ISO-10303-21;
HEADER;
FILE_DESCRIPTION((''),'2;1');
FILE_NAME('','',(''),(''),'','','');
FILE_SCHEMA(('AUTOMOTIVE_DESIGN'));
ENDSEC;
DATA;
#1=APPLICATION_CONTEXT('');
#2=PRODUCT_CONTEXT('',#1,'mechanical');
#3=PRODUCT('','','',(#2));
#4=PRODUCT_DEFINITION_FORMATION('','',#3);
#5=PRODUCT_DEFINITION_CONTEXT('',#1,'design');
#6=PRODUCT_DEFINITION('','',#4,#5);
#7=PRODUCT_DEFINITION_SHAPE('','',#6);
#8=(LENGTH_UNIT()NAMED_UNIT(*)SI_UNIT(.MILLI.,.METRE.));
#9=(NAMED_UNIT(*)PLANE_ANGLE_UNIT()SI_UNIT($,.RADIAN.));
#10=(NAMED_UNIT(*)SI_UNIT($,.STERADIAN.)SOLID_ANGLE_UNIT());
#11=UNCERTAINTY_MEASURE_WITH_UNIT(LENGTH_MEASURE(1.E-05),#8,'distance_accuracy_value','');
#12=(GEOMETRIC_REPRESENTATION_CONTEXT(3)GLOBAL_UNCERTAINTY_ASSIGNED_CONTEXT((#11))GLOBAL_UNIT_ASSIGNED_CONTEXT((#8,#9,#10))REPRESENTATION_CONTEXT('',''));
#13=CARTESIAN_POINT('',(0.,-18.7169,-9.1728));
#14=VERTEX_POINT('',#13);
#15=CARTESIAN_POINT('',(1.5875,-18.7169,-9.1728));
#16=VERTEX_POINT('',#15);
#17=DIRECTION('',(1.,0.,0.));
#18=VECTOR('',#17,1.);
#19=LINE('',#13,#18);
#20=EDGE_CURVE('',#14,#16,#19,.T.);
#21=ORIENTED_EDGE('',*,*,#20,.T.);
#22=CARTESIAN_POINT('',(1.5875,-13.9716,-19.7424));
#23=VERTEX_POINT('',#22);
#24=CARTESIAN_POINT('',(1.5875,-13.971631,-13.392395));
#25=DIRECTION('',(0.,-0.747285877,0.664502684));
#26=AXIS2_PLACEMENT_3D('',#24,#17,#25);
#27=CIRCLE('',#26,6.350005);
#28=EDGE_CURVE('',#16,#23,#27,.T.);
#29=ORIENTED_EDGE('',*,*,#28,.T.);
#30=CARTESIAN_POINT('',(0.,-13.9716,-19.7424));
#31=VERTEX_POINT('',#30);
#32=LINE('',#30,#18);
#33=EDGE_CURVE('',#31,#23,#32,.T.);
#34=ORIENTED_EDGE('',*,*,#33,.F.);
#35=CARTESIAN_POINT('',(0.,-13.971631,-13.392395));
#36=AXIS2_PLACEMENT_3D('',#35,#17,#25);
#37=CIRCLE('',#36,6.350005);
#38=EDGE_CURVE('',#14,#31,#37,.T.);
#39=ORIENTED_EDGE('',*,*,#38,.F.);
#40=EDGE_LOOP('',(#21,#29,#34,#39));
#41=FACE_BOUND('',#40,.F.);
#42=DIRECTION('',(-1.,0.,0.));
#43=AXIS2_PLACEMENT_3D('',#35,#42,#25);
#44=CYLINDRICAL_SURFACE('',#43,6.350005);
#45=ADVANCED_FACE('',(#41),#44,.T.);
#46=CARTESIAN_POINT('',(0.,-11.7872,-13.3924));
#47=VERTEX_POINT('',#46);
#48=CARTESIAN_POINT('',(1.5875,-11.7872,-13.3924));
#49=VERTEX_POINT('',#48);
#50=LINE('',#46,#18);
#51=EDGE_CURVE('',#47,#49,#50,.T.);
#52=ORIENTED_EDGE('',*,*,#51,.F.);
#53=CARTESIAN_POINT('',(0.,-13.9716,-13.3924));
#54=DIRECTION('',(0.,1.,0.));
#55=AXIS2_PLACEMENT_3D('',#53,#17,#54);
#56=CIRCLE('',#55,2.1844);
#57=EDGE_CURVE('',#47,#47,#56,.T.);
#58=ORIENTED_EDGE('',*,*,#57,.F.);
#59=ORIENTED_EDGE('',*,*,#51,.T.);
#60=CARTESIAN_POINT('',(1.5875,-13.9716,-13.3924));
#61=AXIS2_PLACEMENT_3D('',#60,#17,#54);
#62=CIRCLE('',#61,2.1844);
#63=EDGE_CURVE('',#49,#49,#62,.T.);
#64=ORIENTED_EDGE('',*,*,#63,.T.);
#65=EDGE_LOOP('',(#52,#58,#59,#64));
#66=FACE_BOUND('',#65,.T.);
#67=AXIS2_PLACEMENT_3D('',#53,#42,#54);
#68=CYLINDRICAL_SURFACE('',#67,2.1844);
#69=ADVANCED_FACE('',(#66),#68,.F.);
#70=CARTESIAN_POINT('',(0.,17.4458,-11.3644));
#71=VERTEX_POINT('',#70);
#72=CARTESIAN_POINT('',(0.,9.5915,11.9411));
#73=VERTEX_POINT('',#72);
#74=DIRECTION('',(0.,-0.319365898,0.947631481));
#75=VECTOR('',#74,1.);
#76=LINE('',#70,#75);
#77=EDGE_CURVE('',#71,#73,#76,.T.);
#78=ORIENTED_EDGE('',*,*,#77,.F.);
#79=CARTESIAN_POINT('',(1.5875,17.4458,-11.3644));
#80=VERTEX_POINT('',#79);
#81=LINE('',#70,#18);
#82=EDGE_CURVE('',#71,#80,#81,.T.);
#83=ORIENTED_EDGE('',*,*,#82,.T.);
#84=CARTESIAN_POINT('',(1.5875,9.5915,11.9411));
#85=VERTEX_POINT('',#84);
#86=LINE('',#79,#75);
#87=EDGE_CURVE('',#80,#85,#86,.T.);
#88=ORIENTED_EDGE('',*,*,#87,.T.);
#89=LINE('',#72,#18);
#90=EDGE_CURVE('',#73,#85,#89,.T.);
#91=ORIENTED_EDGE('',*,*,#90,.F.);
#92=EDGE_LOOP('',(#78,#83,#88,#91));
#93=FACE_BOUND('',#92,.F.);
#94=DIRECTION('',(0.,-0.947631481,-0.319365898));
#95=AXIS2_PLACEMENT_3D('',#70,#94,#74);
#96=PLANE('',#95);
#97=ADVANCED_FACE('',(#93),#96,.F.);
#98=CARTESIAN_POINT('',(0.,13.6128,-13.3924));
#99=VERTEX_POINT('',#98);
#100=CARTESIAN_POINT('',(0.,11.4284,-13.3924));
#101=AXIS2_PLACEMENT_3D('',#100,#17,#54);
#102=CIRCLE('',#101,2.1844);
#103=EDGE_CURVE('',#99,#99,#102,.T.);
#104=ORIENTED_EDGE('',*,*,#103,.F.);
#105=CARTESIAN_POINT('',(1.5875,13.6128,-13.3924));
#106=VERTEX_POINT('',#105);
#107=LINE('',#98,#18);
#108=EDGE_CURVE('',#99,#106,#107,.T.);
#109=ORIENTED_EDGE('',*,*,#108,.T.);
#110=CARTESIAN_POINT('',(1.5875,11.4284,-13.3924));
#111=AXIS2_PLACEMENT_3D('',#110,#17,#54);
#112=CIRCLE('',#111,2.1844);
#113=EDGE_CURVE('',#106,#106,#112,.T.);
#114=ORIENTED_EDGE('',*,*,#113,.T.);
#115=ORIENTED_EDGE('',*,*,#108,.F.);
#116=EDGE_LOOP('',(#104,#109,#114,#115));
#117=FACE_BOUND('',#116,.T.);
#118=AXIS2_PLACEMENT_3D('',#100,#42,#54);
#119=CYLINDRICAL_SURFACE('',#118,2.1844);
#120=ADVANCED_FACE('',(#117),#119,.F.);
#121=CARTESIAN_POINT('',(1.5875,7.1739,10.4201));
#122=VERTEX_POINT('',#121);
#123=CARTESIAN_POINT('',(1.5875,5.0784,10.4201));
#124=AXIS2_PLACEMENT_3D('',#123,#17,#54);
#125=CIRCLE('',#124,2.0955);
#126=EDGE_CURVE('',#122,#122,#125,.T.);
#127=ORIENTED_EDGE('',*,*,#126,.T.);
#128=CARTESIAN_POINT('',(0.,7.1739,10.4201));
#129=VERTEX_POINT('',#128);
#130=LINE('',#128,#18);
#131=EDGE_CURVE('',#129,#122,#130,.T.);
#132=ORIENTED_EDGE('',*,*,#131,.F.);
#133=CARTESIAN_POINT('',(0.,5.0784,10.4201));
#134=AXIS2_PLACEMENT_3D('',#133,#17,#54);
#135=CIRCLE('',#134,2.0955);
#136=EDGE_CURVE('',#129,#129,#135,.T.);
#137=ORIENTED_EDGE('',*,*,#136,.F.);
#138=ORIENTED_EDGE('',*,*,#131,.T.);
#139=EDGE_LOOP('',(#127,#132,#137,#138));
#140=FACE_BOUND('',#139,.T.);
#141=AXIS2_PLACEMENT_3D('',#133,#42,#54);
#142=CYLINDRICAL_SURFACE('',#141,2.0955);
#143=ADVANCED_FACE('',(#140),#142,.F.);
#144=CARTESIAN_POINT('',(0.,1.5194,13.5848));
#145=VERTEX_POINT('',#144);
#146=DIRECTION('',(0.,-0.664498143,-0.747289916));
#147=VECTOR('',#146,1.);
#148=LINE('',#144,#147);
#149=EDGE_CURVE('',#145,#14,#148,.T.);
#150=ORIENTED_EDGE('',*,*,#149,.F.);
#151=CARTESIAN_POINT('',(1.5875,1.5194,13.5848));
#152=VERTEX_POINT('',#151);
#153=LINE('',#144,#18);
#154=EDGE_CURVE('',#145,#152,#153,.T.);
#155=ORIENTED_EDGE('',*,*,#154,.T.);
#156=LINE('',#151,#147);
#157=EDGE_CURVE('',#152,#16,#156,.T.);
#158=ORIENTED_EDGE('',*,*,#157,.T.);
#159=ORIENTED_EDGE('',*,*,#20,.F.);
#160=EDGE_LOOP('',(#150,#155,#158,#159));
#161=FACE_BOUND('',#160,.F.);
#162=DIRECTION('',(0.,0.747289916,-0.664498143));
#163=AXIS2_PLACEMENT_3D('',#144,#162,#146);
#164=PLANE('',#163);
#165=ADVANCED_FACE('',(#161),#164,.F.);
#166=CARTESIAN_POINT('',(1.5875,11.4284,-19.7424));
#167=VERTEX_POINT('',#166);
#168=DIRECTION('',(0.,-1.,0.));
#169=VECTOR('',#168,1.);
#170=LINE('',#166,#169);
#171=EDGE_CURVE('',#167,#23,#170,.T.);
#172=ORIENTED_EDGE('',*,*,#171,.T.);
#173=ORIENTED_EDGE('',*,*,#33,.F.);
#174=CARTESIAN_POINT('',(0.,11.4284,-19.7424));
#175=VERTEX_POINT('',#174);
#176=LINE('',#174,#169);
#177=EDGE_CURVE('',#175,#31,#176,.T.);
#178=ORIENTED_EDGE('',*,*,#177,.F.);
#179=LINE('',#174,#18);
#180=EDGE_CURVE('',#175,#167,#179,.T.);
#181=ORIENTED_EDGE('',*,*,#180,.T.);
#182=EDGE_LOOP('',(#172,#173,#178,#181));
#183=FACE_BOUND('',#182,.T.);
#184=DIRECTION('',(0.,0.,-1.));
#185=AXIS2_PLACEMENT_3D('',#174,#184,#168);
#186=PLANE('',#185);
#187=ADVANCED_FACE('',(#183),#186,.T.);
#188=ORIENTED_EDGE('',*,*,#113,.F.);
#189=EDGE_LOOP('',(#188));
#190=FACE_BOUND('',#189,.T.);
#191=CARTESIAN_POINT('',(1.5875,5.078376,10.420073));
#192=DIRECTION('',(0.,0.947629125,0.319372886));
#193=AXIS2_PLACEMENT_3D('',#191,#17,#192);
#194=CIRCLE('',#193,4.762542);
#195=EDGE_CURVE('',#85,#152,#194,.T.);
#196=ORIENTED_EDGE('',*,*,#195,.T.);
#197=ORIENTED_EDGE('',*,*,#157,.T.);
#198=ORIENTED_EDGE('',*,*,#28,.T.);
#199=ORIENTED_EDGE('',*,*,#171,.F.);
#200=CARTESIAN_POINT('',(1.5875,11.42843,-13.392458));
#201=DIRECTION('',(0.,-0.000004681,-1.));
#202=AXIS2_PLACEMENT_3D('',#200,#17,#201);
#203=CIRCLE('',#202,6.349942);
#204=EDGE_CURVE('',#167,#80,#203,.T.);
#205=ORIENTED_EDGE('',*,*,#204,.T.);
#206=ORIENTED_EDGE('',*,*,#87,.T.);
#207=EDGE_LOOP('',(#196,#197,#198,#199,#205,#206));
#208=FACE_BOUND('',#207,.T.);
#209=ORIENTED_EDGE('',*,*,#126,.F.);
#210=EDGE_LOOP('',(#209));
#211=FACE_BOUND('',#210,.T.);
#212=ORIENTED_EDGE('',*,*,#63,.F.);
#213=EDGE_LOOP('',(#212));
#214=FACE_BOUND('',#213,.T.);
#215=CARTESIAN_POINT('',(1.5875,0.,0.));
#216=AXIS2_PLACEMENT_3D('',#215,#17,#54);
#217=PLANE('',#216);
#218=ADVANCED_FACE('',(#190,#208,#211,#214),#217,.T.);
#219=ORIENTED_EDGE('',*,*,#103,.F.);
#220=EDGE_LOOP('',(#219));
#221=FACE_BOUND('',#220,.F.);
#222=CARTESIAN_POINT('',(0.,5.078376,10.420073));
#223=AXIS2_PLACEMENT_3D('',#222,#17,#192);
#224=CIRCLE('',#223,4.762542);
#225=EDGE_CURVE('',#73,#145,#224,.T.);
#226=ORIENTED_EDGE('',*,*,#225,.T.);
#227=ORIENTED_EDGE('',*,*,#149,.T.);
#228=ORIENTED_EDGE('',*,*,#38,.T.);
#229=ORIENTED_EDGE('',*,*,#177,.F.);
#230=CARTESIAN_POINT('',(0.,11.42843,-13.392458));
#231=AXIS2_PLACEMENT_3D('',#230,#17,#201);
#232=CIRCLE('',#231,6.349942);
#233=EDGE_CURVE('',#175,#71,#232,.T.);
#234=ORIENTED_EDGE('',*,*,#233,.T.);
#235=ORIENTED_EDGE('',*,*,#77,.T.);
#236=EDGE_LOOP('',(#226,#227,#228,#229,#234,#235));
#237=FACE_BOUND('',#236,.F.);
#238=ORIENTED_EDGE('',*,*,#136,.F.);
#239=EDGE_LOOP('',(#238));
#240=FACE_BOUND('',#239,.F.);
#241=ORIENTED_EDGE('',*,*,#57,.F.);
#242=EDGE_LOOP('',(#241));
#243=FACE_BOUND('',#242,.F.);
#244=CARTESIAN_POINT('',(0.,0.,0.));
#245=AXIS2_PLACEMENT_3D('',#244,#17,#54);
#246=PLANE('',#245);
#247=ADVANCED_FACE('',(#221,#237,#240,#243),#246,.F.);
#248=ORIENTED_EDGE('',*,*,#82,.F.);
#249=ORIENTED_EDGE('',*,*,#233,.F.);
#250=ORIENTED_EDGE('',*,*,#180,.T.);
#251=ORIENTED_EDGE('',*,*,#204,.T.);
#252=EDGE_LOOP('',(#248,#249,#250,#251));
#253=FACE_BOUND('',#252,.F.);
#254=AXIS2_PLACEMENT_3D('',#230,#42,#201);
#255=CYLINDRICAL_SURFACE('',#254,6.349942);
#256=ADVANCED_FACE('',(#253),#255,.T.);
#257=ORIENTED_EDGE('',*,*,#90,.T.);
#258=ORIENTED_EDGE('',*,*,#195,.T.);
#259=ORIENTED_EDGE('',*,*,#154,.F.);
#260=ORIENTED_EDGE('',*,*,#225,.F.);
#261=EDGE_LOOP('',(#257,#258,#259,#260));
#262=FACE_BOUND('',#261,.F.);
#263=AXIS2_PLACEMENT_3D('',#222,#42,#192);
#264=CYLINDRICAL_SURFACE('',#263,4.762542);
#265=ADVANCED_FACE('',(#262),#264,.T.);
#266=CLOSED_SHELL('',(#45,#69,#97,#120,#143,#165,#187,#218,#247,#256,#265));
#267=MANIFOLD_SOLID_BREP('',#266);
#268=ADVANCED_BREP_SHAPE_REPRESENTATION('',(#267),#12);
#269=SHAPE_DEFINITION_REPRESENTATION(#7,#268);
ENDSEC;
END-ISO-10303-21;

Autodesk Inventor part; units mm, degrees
ref_plane "YZ Plane" through (0, 0, 0) normal (1, 0, 0) x (0, 1, 0)
ref_plane "XZ Plane" through (0, 0, 0) normal (0, 1, 0) x (-1, 0, 0)
ref_plane "XY Plane" through (0, 0, 0) normal (0, 0, 1) x (1, 0, 0)
sketch "Sketch1" plane through (0, 0, 0) normal (1, 0, 0) x (0, 1, 0)
  circle A0 centre (-13.9716, -13.3924) radius 2.1844
  circle A1 centre (11.4284, -13.3924) radius 2.1844
  circle A2 centre (5.0784, 10.4201) radius 2.0955
  arc A3 (11.4284, -19.7424) -> (17.4458, -11.3644) centre (11.4284, -13.3924) ccw
  arc A4 (-18.7169, -9.1728) -> (-13.9716, -19.7424) centre (-13.9716, -13.3924) ccw
  arc A5 (9.5915, 11.9411) -> (1.5194, 13.5848) centre (5.0784, 10.4201) ccw
  line L0 (17.4458, -11.3644) -> (9.5915, 11.9411)
  line L1 (1.5194, 13.5848) -> (-18.7169, -9.1728)
  line L2 (11.4284, -19.7424) -> (-13.9716, -19.7424)
  point P0 (0, 0)
  dimension "d0" = 4.191
  dimension "d1" = 12.7
  dimension "d2" = 9.525
  dimension "d3" = 12.7
extrude "Extrusion1" add sketch "Sketch1" along normal blind 1.5875
properties part number "Odom Pod Gusset" material "Acetal Resin, White"
